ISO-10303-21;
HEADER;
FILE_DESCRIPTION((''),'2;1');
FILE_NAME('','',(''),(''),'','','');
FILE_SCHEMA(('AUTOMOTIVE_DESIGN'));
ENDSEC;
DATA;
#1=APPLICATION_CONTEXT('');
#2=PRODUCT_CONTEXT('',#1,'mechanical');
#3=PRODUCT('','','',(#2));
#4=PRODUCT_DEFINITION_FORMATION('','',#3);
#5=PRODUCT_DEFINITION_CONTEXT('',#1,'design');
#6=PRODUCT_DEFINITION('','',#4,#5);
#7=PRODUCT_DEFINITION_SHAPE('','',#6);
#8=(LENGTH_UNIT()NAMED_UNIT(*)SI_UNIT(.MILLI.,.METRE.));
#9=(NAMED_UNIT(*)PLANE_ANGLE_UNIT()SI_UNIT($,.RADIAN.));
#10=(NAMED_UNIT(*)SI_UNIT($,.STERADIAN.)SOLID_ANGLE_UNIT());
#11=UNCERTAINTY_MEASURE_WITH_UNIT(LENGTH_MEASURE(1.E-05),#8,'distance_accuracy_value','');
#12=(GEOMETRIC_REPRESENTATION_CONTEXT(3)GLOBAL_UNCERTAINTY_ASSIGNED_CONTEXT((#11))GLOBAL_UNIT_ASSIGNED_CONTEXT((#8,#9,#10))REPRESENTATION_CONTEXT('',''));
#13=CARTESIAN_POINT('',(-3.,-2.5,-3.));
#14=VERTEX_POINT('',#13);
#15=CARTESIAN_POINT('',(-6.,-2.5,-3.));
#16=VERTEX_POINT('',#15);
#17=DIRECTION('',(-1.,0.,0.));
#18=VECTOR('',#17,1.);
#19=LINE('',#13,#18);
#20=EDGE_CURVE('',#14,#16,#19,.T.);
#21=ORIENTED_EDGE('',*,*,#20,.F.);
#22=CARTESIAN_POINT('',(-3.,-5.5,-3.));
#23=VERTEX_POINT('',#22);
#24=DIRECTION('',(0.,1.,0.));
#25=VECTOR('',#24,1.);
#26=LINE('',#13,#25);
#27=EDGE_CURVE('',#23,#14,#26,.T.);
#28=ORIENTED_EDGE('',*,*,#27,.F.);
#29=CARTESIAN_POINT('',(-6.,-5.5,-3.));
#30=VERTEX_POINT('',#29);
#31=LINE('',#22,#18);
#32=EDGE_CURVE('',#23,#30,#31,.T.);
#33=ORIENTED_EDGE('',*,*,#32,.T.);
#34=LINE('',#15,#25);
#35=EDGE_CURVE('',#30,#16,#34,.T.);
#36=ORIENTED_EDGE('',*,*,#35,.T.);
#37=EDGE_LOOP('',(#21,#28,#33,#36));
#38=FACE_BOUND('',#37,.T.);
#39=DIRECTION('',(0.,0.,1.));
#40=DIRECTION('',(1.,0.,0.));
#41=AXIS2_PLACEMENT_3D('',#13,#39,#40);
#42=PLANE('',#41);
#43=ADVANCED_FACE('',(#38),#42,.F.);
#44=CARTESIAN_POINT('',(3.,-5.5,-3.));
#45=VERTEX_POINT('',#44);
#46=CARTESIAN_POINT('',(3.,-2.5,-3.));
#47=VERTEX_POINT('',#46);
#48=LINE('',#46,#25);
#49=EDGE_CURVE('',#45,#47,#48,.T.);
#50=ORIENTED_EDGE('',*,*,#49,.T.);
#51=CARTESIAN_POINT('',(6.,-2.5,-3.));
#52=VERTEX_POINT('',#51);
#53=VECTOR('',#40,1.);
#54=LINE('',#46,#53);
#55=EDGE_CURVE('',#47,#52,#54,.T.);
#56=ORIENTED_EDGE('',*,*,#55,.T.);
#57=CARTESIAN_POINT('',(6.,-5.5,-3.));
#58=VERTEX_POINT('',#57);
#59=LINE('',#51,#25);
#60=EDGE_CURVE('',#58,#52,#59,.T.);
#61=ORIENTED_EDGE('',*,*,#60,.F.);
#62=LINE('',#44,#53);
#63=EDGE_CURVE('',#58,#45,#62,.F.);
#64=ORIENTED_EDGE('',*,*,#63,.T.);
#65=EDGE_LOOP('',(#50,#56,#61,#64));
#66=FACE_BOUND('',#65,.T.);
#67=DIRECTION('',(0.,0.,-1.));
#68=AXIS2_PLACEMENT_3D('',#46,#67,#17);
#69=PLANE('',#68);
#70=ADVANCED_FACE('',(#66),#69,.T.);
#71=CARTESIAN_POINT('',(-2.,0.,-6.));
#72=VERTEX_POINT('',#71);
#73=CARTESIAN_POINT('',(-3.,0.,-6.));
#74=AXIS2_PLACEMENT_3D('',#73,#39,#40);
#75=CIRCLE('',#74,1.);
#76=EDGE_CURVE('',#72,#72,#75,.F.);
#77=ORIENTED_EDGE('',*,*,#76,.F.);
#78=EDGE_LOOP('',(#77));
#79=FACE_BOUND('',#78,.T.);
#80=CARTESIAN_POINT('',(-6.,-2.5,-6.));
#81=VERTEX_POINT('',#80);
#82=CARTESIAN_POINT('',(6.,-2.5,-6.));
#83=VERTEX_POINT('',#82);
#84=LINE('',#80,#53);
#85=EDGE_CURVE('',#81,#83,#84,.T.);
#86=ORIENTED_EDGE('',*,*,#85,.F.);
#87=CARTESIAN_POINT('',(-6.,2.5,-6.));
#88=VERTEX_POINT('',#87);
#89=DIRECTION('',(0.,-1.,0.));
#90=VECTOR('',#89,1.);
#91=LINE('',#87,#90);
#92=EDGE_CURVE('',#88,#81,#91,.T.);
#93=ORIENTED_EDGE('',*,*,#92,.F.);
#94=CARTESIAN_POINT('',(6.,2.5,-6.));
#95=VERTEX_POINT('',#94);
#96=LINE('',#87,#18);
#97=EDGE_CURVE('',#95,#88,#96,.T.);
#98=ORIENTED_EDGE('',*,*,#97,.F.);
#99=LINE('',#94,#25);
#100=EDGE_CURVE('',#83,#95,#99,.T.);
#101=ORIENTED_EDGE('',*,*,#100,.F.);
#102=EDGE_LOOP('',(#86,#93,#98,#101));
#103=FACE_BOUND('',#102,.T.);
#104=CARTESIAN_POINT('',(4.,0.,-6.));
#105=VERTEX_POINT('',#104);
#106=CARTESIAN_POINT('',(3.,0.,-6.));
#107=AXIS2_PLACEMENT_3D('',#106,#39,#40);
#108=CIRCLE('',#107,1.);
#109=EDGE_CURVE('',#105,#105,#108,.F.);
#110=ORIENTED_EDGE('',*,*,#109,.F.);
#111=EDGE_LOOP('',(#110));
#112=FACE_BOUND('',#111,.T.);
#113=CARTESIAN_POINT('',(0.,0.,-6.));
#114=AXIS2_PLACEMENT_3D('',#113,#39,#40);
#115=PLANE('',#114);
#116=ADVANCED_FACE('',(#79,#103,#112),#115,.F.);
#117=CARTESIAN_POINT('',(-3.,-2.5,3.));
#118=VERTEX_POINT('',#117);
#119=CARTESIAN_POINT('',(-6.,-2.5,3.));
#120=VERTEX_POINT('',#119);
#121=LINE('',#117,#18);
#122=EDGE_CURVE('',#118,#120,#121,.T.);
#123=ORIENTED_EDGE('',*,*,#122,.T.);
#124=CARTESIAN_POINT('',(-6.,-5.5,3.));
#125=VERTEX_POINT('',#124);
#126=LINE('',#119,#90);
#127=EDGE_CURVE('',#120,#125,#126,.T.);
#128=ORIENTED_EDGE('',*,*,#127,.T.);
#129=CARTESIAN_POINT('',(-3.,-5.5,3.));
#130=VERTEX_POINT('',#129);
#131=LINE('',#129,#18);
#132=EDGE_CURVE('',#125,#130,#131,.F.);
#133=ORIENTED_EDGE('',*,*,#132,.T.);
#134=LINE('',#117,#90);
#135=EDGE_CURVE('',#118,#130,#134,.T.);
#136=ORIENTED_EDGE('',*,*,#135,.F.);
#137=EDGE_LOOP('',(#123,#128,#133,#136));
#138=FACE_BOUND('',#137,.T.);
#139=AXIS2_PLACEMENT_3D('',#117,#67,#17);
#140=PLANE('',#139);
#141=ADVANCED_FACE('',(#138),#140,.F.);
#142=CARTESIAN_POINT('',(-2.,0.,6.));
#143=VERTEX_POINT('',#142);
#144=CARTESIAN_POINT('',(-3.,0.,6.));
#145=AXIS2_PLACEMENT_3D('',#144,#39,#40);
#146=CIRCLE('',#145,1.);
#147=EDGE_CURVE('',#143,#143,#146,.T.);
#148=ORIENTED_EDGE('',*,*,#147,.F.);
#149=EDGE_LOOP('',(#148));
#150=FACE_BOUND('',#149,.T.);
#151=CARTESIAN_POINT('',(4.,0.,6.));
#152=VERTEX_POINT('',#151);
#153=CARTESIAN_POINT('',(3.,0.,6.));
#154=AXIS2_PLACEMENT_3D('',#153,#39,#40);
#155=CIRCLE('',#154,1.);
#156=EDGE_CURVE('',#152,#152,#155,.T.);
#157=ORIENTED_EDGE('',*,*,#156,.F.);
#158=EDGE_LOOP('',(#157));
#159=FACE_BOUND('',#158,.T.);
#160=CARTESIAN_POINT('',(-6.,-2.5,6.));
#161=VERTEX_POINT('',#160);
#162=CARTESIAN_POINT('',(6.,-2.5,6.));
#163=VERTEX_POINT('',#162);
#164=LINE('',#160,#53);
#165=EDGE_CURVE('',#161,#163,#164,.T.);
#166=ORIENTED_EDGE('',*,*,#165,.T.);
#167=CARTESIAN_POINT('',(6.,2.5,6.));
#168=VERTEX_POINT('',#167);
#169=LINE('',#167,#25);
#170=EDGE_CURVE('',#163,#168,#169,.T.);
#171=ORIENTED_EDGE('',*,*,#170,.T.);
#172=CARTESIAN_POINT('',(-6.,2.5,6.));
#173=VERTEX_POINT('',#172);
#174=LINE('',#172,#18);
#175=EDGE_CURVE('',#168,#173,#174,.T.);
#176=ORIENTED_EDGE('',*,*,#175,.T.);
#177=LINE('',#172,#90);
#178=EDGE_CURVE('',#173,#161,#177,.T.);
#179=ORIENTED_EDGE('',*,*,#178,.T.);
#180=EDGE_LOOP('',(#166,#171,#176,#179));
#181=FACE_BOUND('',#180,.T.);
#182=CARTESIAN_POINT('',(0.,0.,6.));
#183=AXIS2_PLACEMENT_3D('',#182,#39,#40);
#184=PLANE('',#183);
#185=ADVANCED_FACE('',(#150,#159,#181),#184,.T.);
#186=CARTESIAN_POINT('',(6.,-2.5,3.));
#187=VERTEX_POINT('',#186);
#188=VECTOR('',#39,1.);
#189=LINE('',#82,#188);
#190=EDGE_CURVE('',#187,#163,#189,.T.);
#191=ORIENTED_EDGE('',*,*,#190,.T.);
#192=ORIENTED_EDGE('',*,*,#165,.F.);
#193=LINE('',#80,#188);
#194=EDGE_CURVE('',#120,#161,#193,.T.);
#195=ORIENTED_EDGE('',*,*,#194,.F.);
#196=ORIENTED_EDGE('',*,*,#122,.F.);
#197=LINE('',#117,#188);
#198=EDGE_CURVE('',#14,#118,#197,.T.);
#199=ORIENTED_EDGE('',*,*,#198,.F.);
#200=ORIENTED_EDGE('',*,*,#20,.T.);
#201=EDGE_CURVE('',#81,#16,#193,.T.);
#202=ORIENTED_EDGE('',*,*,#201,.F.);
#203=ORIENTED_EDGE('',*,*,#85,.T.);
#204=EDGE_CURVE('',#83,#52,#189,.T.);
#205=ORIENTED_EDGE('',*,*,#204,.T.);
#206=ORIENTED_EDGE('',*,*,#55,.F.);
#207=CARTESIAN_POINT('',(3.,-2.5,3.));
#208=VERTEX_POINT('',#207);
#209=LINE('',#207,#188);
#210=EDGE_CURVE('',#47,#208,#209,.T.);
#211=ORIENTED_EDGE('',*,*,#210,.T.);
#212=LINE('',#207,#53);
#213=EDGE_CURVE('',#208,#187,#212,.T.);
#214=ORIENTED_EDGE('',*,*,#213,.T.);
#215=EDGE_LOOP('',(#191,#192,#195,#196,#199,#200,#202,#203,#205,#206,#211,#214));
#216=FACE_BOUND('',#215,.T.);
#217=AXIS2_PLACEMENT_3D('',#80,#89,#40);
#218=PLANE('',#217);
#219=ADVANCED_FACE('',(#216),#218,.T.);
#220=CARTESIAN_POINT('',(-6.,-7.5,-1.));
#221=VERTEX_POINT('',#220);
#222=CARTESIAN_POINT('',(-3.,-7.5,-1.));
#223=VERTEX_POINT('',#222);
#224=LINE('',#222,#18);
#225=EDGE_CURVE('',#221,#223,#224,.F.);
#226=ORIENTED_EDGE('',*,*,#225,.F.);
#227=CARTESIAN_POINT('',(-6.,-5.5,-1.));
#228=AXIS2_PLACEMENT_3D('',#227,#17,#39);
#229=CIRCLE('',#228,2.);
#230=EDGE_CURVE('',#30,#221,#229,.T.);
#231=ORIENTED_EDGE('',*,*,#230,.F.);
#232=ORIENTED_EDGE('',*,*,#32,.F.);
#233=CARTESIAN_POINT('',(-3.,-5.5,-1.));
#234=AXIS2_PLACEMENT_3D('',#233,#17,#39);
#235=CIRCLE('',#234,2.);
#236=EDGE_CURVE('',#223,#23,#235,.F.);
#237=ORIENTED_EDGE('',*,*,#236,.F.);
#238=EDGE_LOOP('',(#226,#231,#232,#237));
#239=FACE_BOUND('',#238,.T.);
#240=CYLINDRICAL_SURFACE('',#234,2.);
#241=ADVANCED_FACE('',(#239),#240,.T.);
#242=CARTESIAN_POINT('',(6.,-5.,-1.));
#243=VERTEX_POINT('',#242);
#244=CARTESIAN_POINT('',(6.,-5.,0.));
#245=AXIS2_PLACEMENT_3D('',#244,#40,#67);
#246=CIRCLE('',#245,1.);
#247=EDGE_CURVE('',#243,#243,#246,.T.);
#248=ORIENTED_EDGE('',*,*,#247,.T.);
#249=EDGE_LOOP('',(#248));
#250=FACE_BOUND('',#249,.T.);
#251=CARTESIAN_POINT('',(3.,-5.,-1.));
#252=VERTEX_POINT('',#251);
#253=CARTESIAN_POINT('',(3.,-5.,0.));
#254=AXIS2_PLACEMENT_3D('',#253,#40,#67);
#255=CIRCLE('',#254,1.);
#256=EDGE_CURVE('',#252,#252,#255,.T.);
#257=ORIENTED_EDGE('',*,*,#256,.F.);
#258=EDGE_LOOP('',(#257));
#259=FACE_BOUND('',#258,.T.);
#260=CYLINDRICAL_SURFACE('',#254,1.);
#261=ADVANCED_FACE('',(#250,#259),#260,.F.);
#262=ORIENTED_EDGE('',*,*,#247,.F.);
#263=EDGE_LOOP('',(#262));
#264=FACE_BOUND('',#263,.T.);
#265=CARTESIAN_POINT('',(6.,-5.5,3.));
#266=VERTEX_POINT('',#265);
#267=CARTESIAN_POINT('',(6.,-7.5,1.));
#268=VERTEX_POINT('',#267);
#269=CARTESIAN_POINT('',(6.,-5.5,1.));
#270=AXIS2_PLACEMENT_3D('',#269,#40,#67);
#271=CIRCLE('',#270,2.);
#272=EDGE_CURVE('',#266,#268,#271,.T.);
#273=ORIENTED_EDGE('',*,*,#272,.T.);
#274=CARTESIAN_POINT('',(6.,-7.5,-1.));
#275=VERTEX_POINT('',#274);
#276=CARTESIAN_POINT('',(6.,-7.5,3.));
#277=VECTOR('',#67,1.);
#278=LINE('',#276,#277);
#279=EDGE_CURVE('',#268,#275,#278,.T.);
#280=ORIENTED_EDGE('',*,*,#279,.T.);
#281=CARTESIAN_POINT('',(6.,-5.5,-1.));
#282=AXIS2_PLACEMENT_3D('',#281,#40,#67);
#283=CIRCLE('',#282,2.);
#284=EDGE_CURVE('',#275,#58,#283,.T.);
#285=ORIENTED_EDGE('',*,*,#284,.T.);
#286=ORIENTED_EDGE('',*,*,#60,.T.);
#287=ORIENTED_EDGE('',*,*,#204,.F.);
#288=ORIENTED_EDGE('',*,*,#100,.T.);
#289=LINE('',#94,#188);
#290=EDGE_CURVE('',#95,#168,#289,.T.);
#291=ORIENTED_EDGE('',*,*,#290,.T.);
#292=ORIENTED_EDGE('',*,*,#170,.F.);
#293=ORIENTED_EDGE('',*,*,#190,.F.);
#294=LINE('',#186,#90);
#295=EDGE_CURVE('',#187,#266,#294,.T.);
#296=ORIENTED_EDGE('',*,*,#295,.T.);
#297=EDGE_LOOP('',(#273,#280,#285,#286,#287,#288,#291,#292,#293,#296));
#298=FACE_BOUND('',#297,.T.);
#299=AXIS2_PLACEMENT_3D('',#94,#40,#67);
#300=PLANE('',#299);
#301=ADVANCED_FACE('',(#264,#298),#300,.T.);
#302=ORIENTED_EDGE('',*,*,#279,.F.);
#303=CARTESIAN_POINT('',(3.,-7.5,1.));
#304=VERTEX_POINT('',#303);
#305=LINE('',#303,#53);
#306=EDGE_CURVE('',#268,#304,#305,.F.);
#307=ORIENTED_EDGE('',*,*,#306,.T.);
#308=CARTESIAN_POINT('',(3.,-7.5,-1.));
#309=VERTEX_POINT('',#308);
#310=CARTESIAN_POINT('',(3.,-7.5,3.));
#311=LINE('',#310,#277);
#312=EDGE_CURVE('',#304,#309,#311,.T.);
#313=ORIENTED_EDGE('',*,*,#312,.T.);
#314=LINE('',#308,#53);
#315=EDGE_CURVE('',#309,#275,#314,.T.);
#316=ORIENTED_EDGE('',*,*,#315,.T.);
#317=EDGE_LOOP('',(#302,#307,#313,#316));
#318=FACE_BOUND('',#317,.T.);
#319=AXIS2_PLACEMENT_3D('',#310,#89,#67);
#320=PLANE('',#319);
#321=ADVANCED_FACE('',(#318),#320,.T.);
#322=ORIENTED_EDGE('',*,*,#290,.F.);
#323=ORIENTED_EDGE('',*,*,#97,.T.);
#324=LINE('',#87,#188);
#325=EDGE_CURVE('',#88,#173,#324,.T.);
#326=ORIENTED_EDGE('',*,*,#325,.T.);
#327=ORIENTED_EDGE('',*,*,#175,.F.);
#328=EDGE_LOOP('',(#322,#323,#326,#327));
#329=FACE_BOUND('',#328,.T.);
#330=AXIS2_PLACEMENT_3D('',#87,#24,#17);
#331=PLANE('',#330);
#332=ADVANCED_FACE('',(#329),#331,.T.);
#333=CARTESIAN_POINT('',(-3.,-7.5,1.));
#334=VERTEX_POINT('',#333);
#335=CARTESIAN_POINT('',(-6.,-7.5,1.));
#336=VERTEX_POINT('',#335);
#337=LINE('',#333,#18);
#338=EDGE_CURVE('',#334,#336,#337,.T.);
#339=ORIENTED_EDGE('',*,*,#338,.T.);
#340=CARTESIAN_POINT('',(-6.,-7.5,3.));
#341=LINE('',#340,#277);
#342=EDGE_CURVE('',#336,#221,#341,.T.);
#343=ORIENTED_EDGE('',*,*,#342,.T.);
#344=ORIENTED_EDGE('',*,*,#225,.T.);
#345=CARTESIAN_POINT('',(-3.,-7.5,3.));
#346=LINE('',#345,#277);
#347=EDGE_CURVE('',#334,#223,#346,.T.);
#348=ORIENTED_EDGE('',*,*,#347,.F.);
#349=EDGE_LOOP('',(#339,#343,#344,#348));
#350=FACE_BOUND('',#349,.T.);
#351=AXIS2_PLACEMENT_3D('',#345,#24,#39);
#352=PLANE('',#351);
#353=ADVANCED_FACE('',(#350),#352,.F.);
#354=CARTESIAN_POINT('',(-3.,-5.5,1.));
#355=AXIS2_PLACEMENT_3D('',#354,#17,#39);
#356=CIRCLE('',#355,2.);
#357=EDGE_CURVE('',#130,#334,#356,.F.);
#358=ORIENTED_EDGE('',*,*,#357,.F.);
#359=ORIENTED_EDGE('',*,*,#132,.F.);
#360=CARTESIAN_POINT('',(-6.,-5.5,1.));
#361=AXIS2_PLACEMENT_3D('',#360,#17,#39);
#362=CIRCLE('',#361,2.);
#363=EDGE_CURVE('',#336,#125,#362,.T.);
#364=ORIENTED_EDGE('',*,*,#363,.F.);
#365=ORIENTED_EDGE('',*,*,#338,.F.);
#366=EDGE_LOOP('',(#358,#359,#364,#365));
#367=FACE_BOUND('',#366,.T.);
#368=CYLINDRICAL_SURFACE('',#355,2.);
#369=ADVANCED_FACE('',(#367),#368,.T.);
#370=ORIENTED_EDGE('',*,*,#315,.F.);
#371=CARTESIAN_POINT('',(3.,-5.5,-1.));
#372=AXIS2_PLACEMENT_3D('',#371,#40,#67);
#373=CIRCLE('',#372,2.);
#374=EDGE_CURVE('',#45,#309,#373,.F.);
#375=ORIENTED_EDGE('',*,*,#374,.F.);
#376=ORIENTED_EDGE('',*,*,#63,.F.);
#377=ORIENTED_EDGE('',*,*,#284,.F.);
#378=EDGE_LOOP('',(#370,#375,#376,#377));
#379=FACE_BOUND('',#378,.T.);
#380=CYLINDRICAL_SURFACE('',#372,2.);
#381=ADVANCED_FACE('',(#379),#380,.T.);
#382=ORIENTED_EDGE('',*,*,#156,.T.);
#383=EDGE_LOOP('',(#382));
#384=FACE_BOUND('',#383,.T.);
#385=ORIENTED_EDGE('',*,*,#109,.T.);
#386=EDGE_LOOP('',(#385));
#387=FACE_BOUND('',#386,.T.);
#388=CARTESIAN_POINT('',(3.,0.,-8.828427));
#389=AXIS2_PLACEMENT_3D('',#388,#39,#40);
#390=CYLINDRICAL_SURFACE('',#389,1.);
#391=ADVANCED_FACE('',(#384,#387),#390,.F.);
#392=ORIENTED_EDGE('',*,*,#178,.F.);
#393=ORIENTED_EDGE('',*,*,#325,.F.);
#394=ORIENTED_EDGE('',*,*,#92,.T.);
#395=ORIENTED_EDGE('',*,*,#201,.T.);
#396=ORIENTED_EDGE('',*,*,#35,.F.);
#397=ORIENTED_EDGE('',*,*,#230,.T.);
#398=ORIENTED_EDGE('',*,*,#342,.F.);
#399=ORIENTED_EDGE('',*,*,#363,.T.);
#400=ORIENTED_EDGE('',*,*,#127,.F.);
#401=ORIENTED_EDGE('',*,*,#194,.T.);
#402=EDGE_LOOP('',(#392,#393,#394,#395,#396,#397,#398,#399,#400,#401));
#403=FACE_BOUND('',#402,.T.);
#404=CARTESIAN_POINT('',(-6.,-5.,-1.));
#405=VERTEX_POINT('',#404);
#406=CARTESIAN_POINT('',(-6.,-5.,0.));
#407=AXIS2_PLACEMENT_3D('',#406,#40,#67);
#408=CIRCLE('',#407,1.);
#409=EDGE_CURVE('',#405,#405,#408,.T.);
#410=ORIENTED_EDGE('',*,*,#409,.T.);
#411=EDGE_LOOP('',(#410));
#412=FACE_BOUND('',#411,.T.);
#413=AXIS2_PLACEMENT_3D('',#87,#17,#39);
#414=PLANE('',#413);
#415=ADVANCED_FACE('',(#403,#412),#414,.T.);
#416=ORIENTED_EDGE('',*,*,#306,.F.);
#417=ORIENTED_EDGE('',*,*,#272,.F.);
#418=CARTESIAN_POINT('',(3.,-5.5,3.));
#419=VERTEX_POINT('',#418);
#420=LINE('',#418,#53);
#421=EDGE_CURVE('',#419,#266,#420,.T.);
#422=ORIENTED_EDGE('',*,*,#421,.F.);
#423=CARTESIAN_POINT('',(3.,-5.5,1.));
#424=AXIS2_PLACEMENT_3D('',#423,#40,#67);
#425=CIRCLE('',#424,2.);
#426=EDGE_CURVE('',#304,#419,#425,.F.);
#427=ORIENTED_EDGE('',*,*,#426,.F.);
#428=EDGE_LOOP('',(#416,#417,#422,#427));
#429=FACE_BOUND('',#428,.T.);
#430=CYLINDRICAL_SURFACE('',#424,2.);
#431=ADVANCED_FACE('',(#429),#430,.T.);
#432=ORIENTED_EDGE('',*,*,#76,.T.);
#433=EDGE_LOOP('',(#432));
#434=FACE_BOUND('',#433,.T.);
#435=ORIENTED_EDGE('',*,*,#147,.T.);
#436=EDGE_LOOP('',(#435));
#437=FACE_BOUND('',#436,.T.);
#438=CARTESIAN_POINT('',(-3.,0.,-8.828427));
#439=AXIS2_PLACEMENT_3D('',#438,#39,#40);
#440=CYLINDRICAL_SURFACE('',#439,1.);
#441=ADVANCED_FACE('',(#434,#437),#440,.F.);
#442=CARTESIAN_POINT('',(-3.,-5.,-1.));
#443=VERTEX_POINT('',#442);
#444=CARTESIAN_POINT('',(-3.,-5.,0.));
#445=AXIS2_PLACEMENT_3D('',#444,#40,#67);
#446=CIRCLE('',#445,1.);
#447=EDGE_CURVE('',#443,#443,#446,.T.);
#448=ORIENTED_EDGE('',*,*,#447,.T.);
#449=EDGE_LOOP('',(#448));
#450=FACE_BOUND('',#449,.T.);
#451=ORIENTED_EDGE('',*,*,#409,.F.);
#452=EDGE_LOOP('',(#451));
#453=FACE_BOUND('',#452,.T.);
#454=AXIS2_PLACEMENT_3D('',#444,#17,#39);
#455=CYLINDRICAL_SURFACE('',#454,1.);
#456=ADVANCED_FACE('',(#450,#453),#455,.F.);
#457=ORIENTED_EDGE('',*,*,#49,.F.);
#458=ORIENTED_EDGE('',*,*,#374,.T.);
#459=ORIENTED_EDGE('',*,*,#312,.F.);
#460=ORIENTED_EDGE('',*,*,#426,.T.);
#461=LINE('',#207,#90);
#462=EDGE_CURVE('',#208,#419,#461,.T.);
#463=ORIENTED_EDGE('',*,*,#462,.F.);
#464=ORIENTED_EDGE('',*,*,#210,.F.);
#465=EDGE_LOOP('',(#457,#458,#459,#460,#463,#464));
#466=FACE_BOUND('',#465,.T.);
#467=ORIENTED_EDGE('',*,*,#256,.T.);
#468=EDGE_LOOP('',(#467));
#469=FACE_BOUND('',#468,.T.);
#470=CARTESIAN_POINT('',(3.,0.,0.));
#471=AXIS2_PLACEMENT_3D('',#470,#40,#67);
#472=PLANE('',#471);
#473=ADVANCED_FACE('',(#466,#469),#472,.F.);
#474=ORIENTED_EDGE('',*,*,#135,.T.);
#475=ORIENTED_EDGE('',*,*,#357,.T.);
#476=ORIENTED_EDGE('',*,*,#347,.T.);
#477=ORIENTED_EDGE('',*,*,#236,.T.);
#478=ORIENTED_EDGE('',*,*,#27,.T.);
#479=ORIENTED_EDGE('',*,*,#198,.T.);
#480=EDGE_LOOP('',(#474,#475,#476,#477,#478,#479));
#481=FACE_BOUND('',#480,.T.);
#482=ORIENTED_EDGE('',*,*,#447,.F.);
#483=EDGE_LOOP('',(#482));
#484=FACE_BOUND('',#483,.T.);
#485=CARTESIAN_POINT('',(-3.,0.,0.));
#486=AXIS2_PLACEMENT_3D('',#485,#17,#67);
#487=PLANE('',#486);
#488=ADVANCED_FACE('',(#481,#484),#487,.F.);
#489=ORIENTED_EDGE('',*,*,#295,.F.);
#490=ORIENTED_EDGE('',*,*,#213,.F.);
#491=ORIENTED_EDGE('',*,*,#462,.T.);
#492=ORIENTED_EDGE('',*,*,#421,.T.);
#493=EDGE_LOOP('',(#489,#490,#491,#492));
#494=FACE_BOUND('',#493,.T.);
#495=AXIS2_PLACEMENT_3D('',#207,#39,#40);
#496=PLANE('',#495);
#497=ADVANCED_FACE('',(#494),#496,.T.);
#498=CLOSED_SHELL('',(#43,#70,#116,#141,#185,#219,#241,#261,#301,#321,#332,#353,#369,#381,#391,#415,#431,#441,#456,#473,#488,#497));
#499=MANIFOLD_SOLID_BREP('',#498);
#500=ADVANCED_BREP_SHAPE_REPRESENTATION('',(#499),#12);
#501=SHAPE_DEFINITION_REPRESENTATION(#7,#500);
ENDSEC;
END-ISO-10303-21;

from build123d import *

# Parameters (mm, degrees)
BOSS_EXTRUDE1_DEPTH      = 6
BOSS_EXTRUDE1_DEPTH_BACK = 6
SKETCH1_W                = 12
SKETCH1_H                = 5
SKETCH2_R                = 1
CUT_EXTRUDE1_DEPTH       = 12
SKETCH3_W                = 6
SKETCH3_H                = 5
SKETCH3_R                = 1
BOSS_EXTRUDE2_DEPTH      = 3
FILLET1_R                = 2
FILLET1_OF_MIRROR1_R     = 2


with BuildPart() as part:
    # Sketch1 → Boss-Extrude1 (new, two sides: drawn at the far end of the back side and taken through both)
    with BuildSketch(Plane.XY.offset(-BOSS_EXTRUDE1_DEPTH_BACK)):
        Rectangle(SKETCH1_W, SKETCH1_H)
    extrude(amount=BOSS_EXTRUDE1_DEPTH + BOSS_EXTRUDE1_DEPTH_BACK)

    # Sketch2 → Cut-Extrude1 (cut)
    with BuildSketch(Plane.XY.offset(6)):
        with Locations((-3, 0)):
            Circle(SKETCH2_R)
        with Locations((3, 0)):
            Circle(SKETCH2_R)
    extrude(amount=-CUT_EXTRUDE1_DEPTH, mode=Mode.SUBTRACT)

    # Sketch3 → Boss-Extrude2 (add)
    with BuildSketch(Plane(origin=(6, 0, 0), x_dir=(0, 0, -1), z_dir=(1, 0, 0))):
        with Locations((0, -5)):
            Rectangle(SKETCH3_W, SKETCH3_H)
        with Locations((0, -5)):
            Circle(SKETCH3_R, mode=Mode.SUBTRACT)
    boss_extrude2 = extrude(amount=-BOSS_EXTRUDE2_DEPTH)

    # Fillet1
    fillet1_edges = [part.edges().sort_by_distance(p)[0] for p in [
        (4.5, -7.5, 3),
        (4.5, -7.5, -3),
    ]]
    fillet(fillet1_edges, radius=FILLET1_R)

    # Mirror1: Boss-Extrude2 across plane
    add(boss_extrude2.mirror(Plane(origin=(0, 0, 0), x_dir=(0, 0, 1), z_dir=(1, 0, 0))))

    # Fillet1 of Mirror1
    fillet1_of_mirror1_edges = [part.edges().sort_by_distance(p)[0] for p in [
        (-4.5, -7.5, 3),
        (-4.5, -7.5, -3),
    ]]
    fillet(fillet1_of_mirror1_edges, radius=FILLET1_OF_MIRROR1_R)


solid = part.part
